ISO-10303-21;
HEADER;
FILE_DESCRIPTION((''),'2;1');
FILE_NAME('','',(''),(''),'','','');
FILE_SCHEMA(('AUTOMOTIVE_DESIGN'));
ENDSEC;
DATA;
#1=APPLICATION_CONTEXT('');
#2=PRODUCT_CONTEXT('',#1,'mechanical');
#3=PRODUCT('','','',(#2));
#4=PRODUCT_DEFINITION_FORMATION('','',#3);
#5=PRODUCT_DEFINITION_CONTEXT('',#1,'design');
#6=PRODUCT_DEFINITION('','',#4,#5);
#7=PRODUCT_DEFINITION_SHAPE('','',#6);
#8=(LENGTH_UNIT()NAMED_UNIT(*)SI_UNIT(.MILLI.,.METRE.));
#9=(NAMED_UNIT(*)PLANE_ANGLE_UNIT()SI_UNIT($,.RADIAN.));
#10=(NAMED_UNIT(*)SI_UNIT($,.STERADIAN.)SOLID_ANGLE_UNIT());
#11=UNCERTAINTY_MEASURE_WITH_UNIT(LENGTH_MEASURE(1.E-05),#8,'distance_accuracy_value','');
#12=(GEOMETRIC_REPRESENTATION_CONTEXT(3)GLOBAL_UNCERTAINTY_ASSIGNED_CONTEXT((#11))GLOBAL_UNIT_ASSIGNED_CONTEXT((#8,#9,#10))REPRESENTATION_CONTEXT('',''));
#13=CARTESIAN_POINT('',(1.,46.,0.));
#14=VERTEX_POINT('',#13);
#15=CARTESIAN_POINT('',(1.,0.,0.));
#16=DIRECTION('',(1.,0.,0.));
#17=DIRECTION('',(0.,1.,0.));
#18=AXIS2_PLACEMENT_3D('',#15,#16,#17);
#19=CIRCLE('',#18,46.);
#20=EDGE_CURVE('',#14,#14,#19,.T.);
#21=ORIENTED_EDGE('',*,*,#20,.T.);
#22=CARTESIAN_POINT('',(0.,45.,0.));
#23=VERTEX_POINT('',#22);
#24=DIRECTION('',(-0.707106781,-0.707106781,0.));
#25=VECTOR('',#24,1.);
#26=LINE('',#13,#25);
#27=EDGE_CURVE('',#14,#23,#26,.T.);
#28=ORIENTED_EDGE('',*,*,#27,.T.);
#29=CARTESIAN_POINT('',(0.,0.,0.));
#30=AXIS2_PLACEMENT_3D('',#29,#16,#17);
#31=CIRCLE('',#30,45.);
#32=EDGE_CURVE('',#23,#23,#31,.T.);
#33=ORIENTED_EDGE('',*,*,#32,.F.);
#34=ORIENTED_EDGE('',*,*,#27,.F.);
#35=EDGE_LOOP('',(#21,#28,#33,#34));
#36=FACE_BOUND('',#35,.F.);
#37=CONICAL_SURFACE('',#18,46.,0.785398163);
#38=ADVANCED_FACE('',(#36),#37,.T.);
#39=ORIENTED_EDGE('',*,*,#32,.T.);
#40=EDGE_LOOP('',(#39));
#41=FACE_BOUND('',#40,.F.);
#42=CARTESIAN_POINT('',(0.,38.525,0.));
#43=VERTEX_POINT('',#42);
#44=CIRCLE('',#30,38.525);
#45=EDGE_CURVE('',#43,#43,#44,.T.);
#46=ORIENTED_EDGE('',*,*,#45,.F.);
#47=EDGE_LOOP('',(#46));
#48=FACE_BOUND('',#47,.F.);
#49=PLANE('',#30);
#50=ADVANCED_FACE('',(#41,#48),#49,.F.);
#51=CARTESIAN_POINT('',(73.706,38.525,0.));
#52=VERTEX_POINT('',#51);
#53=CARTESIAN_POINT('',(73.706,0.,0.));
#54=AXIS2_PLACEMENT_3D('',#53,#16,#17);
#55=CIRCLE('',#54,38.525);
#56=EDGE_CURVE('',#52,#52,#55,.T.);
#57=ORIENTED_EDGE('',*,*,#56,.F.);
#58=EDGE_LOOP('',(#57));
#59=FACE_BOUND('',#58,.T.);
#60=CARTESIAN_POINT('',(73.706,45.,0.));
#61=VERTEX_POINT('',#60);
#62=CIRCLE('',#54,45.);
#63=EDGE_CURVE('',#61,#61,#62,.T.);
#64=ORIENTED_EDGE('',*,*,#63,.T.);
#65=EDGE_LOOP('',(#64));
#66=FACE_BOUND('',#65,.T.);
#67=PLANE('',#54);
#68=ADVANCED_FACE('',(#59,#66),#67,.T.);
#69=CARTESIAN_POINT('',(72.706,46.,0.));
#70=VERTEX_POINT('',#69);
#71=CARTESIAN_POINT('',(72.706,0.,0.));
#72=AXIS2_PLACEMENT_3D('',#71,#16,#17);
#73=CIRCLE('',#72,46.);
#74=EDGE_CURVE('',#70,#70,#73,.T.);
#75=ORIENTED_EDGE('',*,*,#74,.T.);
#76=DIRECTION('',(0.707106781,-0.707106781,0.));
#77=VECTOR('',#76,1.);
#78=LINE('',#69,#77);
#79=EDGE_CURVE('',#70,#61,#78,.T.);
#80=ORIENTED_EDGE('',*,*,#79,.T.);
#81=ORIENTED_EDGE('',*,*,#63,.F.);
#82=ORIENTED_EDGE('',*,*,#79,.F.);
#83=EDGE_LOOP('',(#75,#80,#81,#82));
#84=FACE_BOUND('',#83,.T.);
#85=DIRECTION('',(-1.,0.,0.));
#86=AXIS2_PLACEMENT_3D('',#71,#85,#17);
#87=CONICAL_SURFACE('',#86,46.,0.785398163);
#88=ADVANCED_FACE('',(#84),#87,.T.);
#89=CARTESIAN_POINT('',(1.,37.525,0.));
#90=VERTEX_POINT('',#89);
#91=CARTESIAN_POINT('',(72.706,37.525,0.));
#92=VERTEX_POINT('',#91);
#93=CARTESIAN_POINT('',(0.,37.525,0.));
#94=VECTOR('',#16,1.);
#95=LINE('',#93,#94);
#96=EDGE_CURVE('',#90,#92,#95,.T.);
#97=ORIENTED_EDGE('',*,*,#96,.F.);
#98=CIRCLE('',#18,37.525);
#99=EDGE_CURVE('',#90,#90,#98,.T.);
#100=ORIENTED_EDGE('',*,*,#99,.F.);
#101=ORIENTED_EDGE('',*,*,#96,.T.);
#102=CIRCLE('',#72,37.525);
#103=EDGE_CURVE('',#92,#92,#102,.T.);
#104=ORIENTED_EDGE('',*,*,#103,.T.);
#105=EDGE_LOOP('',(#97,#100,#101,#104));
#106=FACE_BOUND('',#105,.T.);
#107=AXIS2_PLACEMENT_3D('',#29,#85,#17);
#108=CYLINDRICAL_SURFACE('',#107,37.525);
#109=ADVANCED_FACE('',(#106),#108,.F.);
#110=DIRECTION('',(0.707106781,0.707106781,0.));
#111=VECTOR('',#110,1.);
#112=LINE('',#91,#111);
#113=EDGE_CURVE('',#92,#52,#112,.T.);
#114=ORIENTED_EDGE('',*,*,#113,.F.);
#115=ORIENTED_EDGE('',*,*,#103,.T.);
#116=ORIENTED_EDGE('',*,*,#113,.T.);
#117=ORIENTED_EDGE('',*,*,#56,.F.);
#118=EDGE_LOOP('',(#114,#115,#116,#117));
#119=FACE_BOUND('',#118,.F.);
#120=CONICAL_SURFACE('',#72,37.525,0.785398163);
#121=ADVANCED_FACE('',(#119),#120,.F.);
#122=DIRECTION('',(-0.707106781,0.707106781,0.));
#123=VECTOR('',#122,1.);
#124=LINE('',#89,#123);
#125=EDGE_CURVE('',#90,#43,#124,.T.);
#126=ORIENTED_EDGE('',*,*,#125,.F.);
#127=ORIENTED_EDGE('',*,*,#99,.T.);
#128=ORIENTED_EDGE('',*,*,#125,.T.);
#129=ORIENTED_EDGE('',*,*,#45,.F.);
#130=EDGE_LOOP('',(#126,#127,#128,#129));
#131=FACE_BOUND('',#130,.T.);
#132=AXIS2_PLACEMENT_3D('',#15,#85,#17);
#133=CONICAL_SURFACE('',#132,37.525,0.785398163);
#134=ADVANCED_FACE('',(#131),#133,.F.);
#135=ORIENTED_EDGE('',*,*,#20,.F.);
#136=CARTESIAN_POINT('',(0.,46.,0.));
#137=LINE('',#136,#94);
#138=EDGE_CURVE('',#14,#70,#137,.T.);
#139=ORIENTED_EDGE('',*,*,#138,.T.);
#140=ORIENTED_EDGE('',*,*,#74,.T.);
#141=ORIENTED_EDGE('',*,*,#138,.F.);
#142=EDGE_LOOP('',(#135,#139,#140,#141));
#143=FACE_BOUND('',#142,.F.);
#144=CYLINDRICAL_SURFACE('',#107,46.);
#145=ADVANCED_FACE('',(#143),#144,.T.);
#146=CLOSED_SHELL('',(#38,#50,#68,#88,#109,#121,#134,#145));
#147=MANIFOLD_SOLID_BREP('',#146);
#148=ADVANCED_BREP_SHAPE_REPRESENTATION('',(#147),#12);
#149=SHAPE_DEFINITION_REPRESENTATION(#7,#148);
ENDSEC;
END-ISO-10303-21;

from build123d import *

# Parameters (mm, degrees)
F0_R     = 46
F0_R_2   = 37.525
F1_DEPTH = 73.706
F2_SIZE  = 1


with BuildPart() as f1:
    # F0 (on Right) → F1 (new body)
    with BuildSketch(Plane.YZ):
        Circle(F0_R)
        Circle(F0_R_2, mode=Mode.SUBTRACT)
    extrude(amount=F1_DEPTH)

    # F2
    f2_edges = [f1.edges().sort_by_distance(p)[0] for p in [
        (73.706, -46, 0),
        (73.706, -37.525, 0),
        (0, -46, 0),
        (0, -37.525, 0),
    ]]
    chamfer(f2_edges, length=F2_SIZE)


solid = f1.part
